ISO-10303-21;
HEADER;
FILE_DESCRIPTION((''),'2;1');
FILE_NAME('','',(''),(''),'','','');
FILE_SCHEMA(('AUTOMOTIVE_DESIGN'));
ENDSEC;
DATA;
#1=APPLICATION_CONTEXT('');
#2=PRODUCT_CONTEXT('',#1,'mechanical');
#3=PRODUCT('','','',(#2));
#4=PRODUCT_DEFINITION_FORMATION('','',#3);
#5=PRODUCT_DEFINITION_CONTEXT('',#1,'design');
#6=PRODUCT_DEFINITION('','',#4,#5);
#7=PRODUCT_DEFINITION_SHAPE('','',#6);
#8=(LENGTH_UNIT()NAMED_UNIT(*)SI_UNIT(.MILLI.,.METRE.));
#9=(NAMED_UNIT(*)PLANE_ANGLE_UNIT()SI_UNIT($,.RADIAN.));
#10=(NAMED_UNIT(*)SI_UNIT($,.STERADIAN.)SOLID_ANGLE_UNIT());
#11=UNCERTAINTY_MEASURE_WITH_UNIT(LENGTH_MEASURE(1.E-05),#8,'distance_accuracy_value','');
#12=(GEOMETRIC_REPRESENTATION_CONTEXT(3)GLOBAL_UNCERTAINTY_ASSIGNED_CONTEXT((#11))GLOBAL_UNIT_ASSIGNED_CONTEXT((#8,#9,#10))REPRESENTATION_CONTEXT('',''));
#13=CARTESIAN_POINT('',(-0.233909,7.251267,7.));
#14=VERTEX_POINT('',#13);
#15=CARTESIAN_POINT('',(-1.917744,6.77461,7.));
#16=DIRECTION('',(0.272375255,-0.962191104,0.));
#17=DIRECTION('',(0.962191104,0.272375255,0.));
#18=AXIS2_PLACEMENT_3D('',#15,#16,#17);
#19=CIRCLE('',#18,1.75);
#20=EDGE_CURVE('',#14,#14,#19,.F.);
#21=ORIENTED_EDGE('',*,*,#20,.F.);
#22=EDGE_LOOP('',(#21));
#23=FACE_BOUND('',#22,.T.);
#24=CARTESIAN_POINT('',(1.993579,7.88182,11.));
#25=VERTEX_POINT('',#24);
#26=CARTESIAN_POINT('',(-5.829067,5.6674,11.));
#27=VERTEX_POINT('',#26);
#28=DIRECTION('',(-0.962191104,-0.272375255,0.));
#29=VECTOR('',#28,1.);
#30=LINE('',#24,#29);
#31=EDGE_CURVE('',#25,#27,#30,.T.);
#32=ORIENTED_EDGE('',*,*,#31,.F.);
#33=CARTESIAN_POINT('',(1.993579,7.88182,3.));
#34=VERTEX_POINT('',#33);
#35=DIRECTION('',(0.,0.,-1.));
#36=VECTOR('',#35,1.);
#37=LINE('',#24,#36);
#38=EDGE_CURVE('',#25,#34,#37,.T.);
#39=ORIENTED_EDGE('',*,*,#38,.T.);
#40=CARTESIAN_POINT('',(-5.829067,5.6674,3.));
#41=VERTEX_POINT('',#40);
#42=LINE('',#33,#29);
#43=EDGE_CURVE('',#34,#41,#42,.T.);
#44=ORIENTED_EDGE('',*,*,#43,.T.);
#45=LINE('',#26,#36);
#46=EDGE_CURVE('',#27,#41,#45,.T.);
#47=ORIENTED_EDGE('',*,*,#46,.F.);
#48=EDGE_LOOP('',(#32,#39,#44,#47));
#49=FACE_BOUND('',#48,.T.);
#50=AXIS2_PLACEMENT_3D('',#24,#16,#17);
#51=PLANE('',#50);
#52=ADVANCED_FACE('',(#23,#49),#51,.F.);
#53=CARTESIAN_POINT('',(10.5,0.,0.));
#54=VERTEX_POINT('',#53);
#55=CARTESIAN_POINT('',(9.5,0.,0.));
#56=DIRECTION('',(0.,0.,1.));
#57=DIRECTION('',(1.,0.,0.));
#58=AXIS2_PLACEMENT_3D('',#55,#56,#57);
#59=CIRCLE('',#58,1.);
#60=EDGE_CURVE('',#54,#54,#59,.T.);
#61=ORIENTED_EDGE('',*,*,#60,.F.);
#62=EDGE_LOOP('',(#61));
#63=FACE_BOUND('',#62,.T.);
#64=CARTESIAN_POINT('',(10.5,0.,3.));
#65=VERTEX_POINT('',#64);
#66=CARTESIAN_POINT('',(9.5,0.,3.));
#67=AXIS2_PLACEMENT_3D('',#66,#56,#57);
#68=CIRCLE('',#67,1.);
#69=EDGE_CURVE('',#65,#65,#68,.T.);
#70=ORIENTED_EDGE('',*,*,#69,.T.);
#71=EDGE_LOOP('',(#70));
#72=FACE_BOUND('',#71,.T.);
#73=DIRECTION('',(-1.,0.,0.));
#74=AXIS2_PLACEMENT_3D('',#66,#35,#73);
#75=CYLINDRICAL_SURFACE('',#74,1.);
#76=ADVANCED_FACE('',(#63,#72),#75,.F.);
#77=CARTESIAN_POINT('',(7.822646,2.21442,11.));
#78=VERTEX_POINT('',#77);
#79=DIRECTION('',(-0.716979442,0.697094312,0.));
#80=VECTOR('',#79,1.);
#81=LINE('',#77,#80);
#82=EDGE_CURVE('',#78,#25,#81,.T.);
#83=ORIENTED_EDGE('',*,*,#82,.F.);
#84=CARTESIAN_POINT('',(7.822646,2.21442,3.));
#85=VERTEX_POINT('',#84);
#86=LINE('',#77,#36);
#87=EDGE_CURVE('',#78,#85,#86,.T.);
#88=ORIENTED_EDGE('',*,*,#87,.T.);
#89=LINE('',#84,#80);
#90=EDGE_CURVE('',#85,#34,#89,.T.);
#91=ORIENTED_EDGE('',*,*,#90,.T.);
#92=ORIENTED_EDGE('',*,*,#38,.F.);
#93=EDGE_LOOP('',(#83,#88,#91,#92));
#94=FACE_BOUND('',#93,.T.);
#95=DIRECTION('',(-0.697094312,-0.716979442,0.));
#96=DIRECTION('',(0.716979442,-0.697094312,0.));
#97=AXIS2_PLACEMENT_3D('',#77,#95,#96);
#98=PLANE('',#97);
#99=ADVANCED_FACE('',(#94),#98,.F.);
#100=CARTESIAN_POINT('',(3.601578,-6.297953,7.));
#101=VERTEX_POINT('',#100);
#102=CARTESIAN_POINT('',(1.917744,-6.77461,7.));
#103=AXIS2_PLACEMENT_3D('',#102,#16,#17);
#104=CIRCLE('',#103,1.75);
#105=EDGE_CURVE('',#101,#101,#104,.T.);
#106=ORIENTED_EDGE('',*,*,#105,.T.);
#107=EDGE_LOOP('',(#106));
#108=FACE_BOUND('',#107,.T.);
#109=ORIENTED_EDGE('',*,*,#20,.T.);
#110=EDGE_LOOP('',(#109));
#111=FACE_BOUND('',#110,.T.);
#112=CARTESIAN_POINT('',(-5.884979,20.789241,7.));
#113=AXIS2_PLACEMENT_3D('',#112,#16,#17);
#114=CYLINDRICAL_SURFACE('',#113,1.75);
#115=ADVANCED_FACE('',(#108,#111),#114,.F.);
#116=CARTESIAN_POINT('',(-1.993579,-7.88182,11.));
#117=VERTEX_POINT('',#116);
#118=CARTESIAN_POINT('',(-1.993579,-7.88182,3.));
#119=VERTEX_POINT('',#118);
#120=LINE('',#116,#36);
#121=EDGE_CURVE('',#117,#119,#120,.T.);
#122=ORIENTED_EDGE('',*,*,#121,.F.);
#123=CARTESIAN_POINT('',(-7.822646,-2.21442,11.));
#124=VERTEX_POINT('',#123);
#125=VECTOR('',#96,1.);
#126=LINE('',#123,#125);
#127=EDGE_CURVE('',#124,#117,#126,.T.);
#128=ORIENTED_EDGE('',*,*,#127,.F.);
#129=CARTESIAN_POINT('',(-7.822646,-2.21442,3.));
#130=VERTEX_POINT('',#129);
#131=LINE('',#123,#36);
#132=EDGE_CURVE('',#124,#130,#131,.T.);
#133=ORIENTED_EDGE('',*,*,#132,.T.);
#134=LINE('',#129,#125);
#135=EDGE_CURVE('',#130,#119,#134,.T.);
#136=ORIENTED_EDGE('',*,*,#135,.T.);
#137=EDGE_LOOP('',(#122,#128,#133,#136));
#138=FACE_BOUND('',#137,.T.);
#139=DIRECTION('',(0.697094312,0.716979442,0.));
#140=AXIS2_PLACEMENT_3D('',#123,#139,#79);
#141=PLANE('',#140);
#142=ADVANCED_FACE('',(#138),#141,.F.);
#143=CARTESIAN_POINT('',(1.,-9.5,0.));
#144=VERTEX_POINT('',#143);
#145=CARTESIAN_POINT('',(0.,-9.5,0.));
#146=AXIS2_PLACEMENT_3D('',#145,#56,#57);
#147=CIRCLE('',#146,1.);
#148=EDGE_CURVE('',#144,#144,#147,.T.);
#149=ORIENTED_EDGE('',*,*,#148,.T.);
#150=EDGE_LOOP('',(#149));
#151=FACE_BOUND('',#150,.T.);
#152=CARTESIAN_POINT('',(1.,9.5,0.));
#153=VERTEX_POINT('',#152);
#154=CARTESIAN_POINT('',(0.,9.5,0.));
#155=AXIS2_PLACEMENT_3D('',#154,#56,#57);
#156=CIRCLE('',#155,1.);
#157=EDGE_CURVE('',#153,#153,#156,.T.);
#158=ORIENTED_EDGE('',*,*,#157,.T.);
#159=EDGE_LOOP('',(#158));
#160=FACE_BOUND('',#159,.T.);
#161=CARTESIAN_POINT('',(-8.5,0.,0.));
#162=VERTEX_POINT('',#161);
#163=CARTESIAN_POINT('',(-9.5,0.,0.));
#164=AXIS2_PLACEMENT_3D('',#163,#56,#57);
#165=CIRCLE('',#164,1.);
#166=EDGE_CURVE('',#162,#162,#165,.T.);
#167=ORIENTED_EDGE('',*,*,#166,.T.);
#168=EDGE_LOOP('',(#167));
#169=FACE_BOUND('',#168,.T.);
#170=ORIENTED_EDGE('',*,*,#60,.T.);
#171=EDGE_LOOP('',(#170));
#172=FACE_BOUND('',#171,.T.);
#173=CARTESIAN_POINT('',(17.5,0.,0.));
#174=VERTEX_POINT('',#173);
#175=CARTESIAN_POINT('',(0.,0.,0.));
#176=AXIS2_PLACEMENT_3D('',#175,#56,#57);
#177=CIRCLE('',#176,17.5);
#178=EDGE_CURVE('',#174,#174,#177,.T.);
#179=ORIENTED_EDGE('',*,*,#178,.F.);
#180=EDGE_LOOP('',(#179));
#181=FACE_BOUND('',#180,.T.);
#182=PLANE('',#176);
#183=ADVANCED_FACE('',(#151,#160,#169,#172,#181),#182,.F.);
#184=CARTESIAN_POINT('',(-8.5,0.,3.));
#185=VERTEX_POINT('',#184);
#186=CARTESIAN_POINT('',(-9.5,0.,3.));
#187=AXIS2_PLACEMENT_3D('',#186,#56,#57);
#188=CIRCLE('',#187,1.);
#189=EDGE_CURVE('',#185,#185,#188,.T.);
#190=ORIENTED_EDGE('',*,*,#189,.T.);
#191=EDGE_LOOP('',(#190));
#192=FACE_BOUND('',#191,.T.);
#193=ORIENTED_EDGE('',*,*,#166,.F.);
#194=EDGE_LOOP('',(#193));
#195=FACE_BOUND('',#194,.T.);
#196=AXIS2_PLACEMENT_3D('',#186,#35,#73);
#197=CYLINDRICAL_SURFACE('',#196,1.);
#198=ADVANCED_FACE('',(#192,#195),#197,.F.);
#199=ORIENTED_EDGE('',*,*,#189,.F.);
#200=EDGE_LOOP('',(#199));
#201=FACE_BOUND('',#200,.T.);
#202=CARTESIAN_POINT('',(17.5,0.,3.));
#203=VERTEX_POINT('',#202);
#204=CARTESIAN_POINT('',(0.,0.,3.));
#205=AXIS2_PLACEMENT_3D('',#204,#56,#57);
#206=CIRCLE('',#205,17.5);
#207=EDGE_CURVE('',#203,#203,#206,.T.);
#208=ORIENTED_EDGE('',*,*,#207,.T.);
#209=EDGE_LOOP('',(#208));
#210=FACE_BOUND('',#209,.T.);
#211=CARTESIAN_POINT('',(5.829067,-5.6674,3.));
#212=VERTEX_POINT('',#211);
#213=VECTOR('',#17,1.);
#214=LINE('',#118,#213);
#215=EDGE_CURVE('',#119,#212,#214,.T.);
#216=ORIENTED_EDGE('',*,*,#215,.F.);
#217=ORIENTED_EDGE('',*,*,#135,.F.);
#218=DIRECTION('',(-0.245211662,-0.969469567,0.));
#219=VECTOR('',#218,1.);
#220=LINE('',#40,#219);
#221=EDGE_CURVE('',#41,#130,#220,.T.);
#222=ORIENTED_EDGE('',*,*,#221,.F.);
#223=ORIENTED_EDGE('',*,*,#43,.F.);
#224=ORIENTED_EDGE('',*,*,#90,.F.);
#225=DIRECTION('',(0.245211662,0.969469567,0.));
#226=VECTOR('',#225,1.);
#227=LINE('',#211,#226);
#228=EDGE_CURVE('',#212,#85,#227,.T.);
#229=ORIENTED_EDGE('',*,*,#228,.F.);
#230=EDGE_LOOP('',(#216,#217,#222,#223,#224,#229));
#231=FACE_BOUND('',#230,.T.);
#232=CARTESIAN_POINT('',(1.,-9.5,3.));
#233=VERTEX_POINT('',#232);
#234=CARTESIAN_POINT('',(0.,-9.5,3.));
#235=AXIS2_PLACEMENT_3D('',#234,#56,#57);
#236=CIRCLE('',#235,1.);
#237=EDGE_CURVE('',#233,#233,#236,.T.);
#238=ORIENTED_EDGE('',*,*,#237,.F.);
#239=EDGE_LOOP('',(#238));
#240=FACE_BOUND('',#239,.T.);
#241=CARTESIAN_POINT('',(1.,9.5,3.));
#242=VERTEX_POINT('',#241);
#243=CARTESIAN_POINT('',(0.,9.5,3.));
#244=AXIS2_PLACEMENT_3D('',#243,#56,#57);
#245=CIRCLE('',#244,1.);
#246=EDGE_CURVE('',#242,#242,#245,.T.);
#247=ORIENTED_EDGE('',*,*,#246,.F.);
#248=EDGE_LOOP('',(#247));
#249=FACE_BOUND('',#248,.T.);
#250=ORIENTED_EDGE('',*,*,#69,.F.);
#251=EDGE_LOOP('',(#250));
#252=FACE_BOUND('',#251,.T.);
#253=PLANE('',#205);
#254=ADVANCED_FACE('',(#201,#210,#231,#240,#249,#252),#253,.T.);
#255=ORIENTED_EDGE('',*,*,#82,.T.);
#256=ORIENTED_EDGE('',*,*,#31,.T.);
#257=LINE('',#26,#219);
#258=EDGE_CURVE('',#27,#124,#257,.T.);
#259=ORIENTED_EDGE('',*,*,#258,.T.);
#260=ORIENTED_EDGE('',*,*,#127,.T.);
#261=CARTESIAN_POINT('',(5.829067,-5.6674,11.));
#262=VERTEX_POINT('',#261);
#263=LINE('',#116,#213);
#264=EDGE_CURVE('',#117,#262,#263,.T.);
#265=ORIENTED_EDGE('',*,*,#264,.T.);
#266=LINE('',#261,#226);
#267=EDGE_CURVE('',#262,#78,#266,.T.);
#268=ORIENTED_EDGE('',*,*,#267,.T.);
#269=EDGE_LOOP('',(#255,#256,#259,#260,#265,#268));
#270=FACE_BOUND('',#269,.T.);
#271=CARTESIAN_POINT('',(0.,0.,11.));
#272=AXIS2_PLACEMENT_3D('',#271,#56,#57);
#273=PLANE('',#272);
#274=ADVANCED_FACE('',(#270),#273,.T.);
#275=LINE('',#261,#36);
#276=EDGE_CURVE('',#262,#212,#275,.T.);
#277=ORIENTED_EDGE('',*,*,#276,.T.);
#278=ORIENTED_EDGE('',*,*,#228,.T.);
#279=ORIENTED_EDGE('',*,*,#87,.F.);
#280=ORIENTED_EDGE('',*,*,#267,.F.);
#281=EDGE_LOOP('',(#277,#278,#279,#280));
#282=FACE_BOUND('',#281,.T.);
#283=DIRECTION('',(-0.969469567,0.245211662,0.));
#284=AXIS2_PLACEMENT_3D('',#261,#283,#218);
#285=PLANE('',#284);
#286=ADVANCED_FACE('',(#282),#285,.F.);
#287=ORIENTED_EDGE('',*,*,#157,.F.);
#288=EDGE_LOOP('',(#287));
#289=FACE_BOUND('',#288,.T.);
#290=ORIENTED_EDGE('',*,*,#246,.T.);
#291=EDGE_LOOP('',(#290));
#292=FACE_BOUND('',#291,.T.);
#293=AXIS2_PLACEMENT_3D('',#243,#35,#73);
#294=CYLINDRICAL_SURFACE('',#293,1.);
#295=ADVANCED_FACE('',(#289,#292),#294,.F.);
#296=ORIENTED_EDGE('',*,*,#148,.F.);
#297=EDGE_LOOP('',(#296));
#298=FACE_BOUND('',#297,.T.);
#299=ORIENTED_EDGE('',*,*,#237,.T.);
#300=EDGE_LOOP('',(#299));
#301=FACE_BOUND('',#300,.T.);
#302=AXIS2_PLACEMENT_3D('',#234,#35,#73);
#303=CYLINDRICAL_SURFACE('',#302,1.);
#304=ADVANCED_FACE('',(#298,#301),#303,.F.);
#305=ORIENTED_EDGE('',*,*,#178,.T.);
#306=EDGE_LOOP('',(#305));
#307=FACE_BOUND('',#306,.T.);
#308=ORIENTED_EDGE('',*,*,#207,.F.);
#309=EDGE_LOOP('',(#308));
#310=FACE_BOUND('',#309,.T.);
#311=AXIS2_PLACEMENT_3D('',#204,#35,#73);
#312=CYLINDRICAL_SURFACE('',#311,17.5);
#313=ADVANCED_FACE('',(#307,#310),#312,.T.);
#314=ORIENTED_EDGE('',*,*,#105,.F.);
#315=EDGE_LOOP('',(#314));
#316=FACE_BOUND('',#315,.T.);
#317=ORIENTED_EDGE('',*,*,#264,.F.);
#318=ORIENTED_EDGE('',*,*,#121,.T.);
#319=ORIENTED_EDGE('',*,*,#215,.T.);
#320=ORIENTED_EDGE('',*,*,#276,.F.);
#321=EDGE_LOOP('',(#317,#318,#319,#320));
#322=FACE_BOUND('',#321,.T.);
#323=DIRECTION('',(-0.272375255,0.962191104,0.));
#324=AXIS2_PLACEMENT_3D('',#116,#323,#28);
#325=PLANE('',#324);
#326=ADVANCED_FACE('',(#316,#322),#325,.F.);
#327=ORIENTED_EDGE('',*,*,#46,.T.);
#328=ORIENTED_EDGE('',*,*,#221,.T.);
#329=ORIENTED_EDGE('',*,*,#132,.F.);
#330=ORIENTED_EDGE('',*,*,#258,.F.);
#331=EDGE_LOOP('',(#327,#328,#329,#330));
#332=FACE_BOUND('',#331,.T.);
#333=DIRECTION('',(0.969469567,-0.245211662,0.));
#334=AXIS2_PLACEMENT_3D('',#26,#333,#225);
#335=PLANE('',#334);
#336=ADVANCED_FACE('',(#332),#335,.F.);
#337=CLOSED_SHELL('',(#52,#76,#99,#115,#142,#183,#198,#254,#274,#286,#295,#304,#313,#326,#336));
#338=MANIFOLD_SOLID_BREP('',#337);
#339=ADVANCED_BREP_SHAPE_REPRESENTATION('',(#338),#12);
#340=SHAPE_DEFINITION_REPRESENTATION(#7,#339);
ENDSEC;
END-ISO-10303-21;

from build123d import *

# Parameters (mm, degrees)
CROQUIS1_R              = 17.5
CROQUIS1_R_2            = 1
SALIENTE_EXTRUIR1_DEPTH = 3
SALIENTE_EXTRUIR2_DEPTH = 8
CORTAR_EXTRUIR1_REACH   = 34.974
CROQUIS3_R              = 1.75


with BuildPart() as part:
    # Croquis1 → Saliente-Extruir1 (new body)
    with BuildSketch(Plane.XY):
        Circle(CROQUIS1_R)
        with Locations((0, 9.5)):
            Circle(CROQUIS1_R_2, mode=Mode.SUBTRACT)
        with Locations((9.5, 0)):
            Circle(CROQUIS1_R_2, mode=Mode.SUBTRACT)
        with Locations((0, -9.5)):
            Circle(CROQUIS1_R_2, mode=Mode.SUBTRACT)
        with Locations((-9.5, 0)):
            Circle(CROQUIS1_R_2, mode=Mode.SUBTRACT)
    extrude(amount=SALIENTE_EXTRUIR1_DEPTH)

    # Croquis2 → Saliente-Extruir2 (add)
    with BuildSketch(Plane.XY.offset(3)):
        Polygon((1.993579006, 7.881819991), (-5.829066837, 5.667400059), (-7.822645843, -2.214419931), (-1.993579006, -7.881819991), (5.829066837, -5.667400059), (7.822645843, 2.214419931), align=None)
    extrude(amount=SALIENTE_EXTRUIR2_DEPTH)

    # Croquis3 → Cortar-Extruir1 (cut, up to next)
    with BuildSketch(Plane(origin=(1.917743915, -6.774610025, 0), x_dir=(0.9621911038516526, 0.27237525524308964, 0), z_dir=(0.27237525524308964, -0.9621911038516526, 0)), mode=Mode.PRIVATE) as cortar_extruir1_sk1:
        with Locations((0, 7)):
            Circle(CROQUIS3_R)
    cortar_extruir1_tool1 = extrude(cortar_extruir1_sk1.sketch, amount=-CORTAR_EXTRUIR1_REACH, mode=Mode.PRIVATE) & part.part
    add(cortar_extruir1_tool1.solids().sort_by_distance((1.917744, -6.77461, 7))[0], mode=Mode.SUBTRACT)


solid = part.part
